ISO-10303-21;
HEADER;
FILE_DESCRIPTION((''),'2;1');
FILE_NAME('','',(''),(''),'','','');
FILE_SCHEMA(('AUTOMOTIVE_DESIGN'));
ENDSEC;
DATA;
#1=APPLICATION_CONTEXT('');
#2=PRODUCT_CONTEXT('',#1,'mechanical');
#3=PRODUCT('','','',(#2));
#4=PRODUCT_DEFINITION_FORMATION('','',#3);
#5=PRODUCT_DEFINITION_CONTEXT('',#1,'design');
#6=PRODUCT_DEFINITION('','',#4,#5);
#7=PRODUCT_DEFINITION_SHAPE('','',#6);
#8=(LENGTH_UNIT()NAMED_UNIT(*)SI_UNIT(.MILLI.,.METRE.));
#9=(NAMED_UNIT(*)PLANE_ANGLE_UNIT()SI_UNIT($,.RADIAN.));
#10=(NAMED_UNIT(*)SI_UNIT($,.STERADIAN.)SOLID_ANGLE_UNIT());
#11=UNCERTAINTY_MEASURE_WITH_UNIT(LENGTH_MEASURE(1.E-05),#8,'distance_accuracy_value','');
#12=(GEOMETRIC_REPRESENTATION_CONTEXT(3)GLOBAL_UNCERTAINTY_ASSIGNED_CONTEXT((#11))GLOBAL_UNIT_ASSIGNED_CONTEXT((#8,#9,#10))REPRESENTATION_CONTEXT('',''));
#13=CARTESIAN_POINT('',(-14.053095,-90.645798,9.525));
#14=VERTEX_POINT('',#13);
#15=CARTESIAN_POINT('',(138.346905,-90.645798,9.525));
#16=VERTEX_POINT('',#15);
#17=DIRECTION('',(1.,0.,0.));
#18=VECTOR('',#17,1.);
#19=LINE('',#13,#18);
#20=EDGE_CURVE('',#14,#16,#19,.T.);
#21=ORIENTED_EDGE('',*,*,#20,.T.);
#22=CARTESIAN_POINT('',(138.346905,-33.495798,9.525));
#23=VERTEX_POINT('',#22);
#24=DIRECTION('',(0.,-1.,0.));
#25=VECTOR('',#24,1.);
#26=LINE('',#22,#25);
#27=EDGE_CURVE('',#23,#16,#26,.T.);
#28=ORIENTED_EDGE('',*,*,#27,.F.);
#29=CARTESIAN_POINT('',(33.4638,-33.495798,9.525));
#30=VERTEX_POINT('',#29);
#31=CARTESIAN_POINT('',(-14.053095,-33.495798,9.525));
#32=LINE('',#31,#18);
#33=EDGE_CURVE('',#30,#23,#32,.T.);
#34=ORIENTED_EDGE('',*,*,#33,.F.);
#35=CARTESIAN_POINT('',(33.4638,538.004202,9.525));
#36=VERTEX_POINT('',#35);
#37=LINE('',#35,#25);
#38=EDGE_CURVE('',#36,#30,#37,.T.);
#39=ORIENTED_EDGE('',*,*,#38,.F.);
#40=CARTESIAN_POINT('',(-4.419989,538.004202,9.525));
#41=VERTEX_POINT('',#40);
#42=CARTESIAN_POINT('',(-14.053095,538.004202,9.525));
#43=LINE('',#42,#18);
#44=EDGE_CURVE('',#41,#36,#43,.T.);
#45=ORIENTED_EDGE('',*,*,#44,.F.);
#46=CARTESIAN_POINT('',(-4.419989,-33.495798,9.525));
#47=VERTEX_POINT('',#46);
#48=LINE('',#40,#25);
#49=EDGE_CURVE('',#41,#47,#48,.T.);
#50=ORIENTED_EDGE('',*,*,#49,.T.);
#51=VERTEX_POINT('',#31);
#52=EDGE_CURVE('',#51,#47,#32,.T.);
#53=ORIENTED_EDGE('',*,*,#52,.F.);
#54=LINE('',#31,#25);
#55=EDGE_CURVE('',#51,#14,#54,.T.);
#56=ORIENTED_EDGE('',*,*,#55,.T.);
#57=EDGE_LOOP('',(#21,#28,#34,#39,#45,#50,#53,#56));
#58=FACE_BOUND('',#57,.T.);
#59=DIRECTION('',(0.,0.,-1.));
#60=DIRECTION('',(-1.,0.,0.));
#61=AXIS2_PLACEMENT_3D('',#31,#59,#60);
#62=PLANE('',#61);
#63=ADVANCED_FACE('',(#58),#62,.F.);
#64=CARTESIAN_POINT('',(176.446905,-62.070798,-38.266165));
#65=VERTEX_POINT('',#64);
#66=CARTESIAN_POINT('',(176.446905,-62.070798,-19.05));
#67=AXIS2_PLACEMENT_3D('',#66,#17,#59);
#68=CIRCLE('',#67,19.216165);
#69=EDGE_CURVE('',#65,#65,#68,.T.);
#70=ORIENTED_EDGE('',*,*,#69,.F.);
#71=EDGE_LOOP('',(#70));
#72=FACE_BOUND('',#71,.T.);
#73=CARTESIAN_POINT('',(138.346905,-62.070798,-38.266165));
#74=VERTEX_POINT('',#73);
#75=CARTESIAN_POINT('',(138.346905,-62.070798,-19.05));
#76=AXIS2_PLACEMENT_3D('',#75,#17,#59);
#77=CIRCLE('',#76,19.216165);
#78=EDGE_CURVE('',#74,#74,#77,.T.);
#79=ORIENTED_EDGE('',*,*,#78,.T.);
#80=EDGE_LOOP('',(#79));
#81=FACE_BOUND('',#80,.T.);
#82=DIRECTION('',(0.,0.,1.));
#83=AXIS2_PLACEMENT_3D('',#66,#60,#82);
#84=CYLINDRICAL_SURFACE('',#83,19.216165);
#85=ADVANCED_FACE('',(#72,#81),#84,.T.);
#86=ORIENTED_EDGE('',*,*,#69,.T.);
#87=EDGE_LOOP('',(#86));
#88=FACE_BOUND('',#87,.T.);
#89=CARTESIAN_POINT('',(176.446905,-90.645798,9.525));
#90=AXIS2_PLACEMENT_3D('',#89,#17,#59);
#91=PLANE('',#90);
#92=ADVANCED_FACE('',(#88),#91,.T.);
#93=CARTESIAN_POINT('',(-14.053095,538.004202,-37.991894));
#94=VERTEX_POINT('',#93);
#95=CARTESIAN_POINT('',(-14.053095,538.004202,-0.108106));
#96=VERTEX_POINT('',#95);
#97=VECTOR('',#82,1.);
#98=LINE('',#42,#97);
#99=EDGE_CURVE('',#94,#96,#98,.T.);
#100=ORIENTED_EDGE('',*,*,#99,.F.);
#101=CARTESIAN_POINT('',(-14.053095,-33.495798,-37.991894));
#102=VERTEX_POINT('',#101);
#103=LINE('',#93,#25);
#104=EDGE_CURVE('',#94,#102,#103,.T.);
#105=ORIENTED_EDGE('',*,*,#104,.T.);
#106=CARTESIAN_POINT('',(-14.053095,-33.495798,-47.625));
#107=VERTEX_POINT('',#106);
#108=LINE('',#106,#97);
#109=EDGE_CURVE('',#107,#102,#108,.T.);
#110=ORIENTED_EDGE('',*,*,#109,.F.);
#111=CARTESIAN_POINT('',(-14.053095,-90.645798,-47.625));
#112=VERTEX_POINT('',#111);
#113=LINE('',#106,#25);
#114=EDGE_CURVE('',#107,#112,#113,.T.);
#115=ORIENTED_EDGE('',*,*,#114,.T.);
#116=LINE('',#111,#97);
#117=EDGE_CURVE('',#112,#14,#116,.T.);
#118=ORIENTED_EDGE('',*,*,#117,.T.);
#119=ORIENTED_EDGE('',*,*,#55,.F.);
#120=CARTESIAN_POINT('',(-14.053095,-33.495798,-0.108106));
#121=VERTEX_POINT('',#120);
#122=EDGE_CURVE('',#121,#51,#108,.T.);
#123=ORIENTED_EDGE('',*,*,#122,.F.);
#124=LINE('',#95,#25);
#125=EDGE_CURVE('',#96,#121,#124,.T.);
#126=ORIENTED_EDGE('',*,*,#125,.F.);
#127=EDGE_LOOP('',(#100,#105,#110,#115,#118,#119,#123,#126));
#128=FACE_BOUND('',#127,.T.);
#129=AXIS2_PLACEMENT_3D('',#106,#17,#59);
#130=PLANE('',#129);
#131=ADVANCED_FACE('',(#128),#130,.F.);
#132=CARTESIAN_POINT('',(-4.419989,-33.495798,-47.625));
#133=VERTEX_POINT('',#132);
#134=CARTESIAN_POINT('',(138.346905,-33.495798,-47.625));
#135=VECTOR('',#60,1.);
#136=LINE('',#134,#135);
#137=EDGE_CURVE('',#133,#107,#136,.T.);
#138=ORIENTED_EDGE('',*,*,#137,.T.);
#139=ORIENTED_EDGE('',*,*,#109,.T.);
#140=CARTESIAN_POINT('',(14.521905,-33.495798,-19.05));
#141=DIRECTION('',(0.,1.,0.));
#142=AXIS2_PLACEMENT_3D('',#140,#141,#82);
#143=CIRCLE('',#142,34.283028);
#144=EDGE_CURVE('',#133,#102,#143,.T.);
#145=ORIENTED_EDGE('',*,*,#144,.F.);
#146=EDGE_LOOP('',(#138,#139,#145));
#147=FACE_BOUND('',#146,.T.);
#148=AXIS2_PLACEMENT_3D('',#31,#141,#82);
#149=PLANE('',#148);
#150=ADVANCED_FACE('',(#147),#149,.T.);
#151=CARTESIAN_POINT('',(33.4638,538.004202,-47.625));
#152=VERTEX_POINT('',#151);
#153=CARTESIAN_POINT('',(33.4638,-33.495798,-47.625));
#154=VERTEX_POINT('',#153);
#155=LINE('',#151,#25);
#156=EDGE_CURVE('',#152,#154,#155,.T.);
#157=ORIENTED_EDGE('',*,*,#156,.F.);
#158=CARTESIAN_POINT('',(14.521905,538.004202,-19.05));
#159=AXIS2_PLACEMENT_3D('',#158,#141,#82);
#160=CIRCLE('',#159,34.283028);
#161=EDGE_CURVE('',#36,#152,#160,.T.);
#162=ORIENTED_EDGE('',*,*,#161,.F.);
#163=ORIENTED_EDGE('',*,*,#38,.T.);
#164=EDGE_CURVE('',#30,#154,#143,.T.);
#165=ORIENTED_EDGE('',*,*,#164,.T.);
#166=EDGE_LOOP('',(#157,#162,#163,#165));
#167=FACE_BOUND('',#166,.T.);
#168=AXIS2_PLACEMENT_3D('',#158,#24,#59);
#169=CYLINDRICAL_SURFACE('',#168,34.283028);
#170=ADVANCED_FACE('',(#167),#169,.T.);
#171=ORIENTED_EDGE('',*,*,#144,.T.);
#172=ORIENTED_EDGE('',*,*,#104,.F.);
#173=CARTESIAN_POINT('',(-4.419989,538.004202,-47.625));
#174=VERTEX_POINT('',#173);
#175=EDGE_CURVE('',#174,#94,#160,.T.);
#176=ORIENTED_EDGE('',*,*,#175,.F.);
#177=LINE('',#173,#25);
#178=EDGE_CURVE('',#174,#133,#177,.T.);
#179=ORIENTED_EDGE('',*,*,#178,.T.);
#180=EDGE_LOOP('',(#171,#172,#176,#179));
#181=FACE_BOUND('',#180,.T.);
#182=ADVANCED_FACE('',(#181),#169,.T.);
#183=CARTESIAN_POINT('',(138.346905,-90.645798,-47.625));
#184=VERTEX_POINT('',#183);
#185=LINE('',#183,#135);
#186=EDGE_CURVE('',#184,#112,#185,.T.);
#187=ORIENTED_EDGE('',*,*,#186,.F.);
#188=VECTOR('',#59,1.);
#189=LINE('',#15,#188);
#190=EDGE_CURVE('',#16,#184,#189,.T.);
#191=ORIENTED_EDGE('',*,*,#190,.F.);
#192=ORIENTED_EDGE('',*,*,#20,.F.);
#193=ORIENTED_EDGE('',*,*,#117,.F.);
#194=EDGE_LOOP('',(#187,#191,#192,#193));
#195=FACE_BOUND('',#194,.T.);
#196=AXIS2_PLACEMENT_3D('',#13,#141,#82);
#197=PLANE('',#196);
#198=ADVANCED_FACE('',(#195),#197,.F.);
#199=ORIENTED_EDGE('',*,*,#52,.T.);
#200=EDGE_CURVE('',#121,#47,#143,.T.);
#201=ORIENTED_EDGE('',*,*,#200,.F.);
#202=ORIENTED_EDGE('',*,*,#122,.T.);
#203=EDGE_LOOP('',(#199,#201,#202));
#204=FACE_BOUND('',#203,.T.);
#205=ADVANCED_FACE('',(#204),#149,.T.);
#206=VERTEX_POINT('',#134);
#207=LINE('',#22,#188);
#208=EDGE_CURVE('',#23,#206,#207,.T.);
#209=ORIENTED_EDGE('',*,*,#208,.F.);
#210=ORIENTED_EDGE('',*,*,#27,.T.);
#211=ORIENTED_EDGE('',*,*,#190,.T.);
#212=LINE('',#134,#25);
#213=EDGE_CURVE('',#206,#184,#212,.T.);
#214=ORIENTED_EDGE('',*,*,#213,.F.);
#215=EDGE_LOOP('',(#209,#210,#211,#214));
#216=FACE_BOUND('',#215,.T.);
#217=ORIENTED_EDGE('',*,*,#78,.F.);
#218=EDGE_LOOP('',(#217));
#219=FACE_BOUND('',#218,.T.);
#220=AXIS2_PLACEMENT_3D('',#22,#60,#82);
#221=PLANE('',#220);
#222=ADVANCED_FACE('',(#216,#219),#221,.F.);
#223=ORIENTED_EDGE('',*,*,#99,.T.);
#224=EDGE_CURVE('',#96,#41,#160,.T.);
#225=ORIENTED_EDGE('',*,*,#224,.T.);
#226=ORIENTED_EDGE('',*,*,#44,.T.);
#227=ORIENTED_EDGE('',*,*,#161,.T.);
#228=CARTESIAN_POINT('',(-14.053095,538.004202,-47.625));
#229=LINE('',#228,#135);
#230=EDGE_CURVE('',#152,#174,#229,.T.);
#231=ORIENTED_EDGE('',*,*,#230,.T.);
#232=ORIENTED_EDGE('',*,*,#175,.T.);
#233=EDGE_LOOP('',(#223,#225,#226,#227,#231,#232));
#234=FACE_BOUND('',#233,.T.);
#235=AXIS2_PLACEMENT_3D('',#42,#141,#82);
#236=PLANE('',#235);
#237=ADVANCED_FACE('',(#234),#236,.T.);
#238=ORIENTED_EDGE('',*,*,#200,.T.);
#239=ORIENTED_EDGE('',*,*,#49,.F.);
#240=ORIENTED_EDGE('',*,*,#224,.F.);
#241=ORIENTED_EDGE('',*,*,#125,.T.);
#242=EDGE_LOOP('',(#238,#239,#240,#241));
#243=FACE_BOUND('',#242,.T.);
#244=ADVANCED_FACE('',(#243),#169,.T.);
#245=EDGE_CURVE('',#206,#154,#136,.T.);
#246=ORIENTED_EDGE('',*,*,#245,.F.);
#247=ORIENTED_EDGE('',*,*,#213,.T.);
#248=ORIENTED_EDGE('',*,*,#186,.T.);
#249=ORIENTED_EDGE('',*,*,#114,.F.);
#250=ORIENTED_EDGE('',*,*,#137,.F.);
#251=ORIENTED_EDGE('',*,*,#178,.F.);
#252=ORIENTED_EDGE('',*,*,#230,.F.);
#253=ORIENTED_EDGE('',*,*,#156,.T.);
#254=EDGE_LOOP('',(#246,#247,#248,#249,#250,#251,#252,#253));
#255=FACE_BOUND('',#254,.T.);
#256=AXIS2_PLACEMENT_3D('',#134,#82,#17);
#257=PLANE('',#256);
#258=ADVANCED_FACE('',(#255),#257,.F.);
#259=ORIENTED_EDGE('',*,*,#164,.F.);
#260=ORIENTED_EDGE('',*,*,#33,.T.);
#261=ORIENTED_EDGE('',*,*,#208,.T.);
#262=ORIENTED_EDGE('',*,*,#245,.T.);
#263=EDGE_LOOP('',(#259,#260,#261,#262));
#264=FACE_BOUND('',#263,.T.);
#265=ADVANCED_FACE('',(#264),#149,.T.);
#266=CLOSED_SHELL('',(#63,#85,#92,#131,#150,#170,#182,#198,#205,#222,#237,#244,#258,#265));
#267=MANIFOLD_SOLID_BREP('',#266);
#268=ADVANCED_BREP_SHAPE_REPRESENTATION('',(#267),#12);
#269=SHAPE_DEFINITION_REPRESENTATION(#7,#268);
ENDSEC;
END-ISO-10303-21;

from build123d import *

# Parameters (mm, degrees)
SKETCH1_W           = 101.6
SKETCH1_H           = 38.1
BOSS_EXTRUDE1_DEPTH = 38.1
BOSS_EXTRUDE2_DEPTH = 25.4
BOSS_EXTRUDE3_DEPTH = 381
SCALE1_SCALE        = 1.5


with BuildPart() as part:
    # Sketch1 → Boss-Extrude1 (new body)
    with BuildSketch(Plane(origin=(0, 0, 0), x_dir=(1, 0, 0), z_dir=(0, 1, 0))):
        with Locations((50.8, 19.05)):
            Rectangle(SKETCH1_W, SKETCH1_H)
    extrude(amount=BOSS_EXTRUDE1_DEPTH)

    # Sketch2 → Boss-Extrude2 (add)
    with BuildSketch(Plane(origin=(101.6, 0, 0), x_dir=(0, 0, -1), z_dir=(1, 0, 0))):
        with BuildLine():
            ThreePointArc((28.108587284, 28.108587284), (19.05, 31.860776993), (9.991412716, 28.108587284))
            Line((9.991412716, 28.108587284), (19.05, 19.05))
            Line((19.05, 19.05), (28.108587284, 28.108587284))
        make_face()
        with BuildLine():
            Line((19.05, 19.05), (9.991412716, 28.108587284))
            ThreePointArc((9.991412716, 28.108587284), (6.239223007, 19.05), (9.991412716, 9.991412716))
            Line((9.991412716, 9.991412716), (19.05, 19.05))
        make_face()
        with BuildLine():
            Line((28.108587284, 28.108587284), (19.05, 19.05))
            Line((19.05, 19.05), (28.108587284, 9.991412716))
            ThreePointArc((28.108587284, 9.991412716), (30.885614659, 14.147527889), (31.860776993, 19.05))
            ThreePointArc((31.860776993, 19.05), (30.885614659, 23.952472111), (28.108587284, 28.108587284))
        make_face()
        with BuildLine():
            Line((28.108587284, 9.991412716), (19.05, 19.05))
            Line((19.05, 19.05), (9.991412716, 9.991412716))
            ThreePointArc((9.991412716, 9.991412716), (19.05, 6.239223007), (28.108587284, 9.991412716))
        make_face()
    extrude(amount=BOSS_EXTRUDE2_DEPTH)

    # Sketch3 → Boss-Extrude3 (add)
    with BuildSketch(Plane(origin=(0, 38.1, 0), x_dir=(1, 0, 0), z_dir=(0, 1, 0))):
        with BuildLine():
            Line((33.415123016, 4.684876984), (19.05, 19.05))
            Line((19.05, 19.05), (4.684876984, 4.684876984))
            ThreePointArc((4.684876984, 4.684876984), (8.08545393, 1.947595257), (11.992307848, 0))
            Line((11.992307848, 0), (26.107692152, 0))
            ThreePointArc((26.107692152, 0), (30.01454607, 1.947595257), (33.415123016, 4.684876984))
        make_face()
        with BuildLine():
            Line((33.415123016, 33.415123016), (19.05, 19.05))
            Line((19.05, 19.05), (33.415123016, 4.684876984))
            ThreePointArc((33.415123016, 4.684876984), (37.818937718, 11.275651446), (39.365351794, 19.05))
            ThreePointArc((39.365351794, 19.05), (37.818937718, 26.824348554), (33.415123016, 33.415123016))
        make_face()
        with BuildLine():
            ThreePointArc((11.992307848, 38.1), (8.08545393, 36.152404743), (4.684876984, 33.415123016))
            Line((4.684876984, 33.415123016), (19.05, 19.05))
            Line((19.05, 19.05), (33.415123016, 33.415123016))
            ThreePointArc((33.415123016, 33.415123016), (30.01454607, 36.152404743), (26.107692152, 38.1))
            Line((26.107692152, 38.1), (11.992307848, 38.1))
        make_face()
        with BuildLine():
            Line((19.05, 19.05), (4.684876984, 33.415123016))
            ThreePointArc((4.684876984, 33.415123016), (1.947595257, 30.01454607), (0, 26.107692152))
            Line((0, 26.107692152), (0, 11.992307848))
            ThreePointArc((0, 11.992307848), (1.947595257, 8.08545393), (4.684876984, 4.684876984))
            Line((4.684876984, 4.684876984), (19.05, 19.05))
        make_face()
        with BuildLine():
            ThreePointArc((35.21117424, 35.21117424), (33.516839784, 36.74400046), (31.677929586, 38.1))
            Line((31.677929586, 38.1), (26.107692152, 38.1))
            ThreePointArc((26.107692152, 38.1), (30.01454607, 36.152404743), (33.415123016, 33.415123016))
            Line((33.415123016, 33.415123016), (35.21117424, 35.21117424))
        make_face()
        with BuildLine():
            ThreePointArc((41.905351794, 19.05), (40.165591731, 27.796364472), (35.21117424, 35.21117424))
            Line((35.21117424, 35.21117424), (33.415123016, 33.415123016))
            ThreePointArc((33.415123016, 33.415123016), (37.818937718, 26.824348554), (39.365351794, 19.05))
            ThreePointArc((39.365351794, 19.05), (37.818937718, 11.275651446), (33.415123016, 4.684876984))
            Line((33.415123016, 4.684876984), (35.21117424, 2.88882576))
            ThreePointArc((35.21117424, 2.88882576), (40.165591731, 10.303635528), (41.905351794, 19.05))
        make_face()
        with BuildLine():
            Line((35.21117424, 2.88882576), (33.415123016, 4.684876984))
            ThreePointArc((33.415123016, 4.684876984), (30.01454607, 1.947595257), (26.107692152, 0))
            Line((26.107692152, 0), (31.677929586, 0))
            ThreePointArc((31.677929586, 0), (33.516839784, 1.35599954), (35.21117424, 2.88882576))
        make_face()
        with BuildLine():
            Line((4.684876984, 4.684876984), (2.88882576, 2.88882576))
            ThreePointArc((2.88882576, 2.88882576), (4.583160216, 1.35599954), (6.422070414, 0))
            Line((6.422070414, 0), (11.992307848, 0))
            ThreePointArc((11.992307848, 0), (8.08545393, 1.947595257), (4.684876984, 4.684876984))
        make_face()
        with BuildLine():
            Line((0, 11.992307848), (0, 6.422070414))
            ThreePointArc((0, 6.422070414), (1.35599954, 4.583160216), (2.88882576, 2.88882576))
            Line((2.88882576, 2.88882576), (4.684876984, 4.684876984))
            ThreePointArc((4.684876984, 4.684876984), (1.947595257, 8.08545393), (0, 11.992307848))
        make_face()
        with BuildLine():
            ThreePointArc((6.422070414, 38.1), (4.583160216, 36.74400046), (2.88882576, 35.21117424))
            Line((2.88882576, 35.21117424), (4.684876984, 33.415123016))
            ThreePointArc((4.684876984, 33.415123016), (8.08545393, 36.152404743), (11.992307848, 38.1))
            Line((11.992307848, 38.1), (6.422070414, 38.1))
        make_face()
        with BuildLine():
            Line((4.684876984, 33.415123016), (2.88882576, 35.21117424))
            ThreePointArc((2.88882576, 35.21117424), (1.35599954, 33.516839784), (0, 31.677929586))
            Line((0, 31.677929586), (0, 26.107692152))
            ThreePointArc((0, 26.107692152), (1.947595257, 30.01454607), (4.684876984, 33.415123016))
        make_face()
    extrude(amount=BOSS_EXTRUDE3_DEPTH)


with BuildPart() as part_1:
    # Scale1: scaled about (28.106189099, 181.291595576, -19.05)
    add(part.part.scale(SCALE1_SCALE).moved(Location((-14.05309455, -90.645797788, 9.525))))


solid = part_1.part
